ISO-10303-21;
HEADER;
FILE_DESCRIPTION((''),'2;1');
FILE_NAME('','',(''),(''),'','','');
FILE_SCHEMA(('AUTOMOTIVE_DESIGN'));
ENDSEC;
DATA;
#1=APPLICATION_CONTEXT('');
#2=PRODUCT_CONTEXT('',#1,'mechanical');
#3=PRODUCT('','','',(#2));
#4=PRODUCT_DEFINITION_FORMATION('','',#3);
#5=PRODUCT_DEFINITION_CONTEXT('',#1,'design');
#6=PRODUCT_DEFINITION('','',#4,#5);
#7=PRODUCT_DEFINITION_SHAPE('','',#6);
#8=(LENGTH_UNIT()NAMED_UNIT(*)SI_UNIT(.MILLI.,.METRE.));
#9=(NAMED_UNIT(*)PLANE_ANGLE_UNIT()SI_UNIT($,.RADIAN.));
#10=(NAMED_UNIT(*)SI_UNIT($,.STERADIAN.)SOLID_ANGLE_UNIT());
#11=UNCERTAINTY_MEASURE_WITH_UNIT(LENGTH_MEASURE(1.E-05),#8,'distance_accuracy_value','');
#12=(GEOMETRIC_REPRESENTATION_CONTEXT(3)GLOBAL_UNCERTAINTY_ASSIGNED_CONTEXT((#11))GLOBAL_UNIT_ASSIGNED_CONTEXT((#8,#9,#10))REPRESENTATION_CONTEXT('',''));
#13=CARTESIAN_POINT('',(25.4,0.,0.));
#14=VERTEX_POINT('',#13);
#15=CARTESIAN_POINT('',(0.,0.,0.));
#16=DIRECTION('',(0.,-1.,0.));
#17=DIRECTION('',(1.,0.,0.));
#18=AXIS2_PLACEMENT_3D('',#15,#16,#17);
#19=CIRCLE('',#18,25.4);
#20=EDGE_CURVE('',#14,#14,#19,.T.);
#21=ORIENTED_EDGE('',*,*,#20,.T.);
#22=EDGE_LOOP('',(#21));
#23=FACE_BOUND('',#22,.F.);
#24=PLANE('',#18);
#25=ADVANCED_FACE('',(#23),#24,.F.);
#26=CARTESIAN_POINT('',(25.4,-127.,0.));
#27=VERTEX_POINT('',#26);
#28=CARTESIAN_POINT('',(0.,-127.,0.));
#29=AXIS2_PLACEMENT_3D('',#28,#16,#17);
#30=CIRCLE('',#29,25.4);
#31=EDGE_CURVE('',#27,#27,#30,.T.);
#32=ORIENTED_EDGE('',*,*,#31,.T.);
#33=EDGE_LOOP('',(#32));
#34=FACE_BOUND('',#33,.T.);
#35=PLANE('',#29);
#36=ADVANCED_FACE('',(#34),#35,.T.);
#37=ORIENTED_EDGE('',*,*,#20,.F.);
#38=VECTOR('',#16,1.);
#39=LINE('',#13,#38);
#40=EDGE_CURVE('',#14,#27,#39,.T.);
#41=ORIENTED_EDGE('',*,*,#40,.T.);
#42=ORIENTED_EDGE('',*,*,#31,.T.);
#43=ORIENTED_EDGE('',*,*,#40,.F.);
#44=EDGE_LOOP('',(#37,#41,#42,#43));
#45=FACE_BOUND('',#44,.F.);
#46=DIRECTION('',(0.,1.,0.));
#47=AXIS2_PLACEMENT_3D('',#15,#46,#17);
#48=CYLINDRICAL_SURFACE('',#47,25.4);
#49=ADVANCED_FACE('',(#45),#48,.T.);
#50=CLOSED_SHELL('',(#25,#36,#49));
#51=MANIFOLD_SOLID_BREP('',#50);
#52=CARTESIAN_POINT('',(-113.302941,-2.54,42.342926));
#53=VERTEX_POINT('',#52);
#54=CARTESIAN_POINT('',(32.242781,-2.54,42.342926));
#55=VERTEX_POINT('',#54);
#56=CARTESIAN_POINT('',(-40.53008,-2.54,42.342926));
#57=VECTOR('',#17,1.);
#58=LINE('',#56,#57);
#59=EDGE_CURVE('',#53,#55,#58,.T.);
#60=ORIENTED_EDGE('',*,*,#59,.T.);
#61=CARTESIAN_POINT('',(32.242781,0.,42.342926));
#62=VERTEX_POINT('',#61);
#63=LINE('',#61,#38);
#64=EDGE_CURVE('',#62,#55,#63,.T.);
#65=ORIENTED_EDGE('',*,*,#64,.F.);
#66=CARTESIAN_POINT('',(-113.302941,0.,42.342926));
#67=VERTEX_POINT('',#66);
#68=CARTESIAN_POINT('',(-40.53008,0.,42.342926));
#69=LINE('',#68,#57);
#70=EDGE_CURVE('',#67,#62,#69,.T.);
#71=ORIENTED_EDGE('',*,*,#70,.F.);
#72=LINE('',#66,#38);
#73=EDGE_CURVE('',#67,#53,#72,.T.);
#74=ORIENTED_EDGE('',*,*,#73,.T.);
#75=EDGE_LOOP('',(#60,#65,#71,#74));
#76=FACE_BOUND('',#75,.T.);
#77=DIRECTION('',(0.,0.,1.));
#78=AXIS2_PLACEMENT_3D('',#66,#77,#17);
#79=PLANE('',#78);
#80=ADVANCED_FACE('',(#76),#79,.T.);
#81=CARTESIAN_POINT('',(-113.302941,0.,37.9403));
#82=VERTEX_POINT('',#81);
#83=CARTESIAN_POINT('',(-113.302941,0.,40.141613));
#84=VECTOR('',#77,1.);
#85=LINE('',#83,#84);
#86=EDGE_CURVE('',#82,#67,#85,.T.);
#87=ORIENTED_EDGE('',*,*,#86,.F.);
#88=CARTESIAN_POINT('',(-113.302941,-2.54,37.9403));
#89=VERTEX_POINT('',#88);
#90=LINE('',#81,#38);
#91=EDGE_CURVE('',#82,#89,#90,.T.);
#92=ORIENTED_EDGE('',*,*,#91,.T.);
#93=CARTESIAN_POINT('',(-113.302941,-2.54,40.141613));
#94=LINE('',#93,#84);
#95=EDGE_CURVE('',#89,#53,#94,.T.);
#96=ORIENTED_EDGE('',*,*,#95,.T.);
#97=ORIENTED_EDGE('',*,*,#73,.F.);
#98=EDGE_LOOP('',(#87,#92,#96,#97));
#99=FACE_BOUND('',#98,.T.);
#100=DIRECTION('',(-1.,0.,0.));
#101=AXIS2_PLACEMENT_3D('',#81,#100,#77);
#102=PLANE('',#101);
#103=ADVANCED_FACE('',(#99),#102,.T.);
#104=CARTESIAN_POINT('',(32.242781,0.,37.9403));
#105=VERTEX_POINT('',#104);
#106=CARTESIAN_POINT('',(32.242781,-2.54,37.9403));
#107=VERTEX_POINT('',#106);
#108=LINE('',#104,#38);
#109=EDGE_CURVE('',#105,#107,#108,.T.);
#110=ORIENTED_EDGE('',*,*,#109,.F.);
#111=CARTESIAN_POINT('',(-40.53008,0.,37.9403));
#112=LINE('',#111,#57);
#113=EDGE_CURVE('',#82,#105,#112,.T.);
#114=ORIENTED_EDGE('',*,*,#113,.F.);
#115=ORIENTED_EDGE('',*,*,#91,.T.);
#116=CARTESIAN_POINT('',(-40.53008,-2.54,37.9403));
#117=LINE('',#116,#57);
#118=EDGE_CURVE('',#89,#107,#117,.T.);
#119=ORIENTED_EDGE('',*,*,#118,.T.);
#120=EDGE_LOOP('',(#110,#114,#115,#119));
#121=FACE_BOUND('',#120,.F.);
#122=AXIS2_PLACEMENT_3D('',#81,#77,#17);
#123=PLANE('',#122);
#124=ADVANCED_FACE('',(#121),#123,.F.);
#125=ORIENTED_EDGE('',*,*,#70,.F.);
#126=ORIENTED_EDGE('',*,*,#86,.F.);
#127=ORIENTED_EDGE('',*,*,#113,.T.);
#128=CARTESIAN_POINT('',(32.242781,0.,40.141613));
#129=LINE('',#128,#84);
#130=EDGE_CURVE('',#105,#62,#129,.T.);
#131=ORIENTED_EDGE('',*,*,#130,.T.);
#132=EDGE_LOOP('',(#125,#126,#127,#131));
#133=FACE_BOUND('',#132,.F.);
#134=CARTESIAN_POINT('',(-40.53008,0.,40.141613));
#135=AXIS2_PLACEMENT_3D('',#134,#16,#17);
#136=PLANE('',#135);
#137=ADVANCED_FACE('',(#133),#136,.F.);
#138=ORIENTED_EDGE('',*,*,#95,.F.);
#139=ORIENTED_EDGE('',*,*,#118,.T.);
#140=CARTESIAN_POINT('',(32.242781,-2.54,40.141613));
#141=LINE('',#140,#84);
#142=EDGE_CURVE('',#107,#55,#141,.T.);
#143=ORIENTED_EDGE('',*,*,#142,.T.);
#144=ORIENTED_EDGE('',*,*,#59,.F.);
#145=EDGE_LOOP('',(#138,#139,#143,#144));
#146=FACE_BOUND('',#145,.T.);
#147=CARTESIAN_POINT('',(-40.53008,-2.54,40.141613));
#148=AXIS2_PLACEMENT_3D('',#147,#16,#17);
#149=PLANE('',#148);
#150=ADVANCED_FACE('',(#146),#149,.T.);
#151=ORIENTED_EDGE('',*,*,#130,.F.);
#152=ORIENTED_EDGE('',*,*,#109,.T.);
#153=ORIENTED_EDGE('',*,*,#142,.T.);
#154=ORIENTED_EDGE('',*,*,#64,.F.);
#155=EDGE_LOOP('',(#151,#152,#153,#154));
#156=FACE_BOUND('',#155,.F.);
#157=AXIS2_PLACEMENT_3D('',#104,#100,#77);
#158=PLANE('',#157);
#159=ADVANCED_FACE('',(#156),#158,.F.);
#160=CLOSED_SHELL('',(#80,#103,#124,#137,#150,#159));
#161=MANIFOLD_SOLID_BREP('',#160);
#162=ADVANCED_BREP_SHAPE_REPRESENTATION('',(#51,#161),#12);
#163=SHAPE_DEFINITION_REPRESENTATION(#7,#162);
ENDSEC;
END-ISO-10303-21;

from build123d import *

# Parameters (mm, degrees)
F0_W     = 145.545721
F0_H     = 4.402627
F1_DEPTH = 2.54
F0_R     = 25.4
F2_DEPTH = 127


with BuildPart() as f1:
    # F0 (on Front) → F1 (new body)
    with BuildSketch(Plane.XZ):
        with Locations((-40.53008, 40.141613)):
            Rectangle(F0_W, F0_H)
    extrude(amount=F1_DEPTH)


with BuildPart() as f2:
    # F0 (on Front) → F2 (new body)
    with BuildSketch(Plane.XZ):
        Circle(F0_R)
    extrude(amount=F2_DEPTH)


solid = Compound([f1.part, f2.part])
